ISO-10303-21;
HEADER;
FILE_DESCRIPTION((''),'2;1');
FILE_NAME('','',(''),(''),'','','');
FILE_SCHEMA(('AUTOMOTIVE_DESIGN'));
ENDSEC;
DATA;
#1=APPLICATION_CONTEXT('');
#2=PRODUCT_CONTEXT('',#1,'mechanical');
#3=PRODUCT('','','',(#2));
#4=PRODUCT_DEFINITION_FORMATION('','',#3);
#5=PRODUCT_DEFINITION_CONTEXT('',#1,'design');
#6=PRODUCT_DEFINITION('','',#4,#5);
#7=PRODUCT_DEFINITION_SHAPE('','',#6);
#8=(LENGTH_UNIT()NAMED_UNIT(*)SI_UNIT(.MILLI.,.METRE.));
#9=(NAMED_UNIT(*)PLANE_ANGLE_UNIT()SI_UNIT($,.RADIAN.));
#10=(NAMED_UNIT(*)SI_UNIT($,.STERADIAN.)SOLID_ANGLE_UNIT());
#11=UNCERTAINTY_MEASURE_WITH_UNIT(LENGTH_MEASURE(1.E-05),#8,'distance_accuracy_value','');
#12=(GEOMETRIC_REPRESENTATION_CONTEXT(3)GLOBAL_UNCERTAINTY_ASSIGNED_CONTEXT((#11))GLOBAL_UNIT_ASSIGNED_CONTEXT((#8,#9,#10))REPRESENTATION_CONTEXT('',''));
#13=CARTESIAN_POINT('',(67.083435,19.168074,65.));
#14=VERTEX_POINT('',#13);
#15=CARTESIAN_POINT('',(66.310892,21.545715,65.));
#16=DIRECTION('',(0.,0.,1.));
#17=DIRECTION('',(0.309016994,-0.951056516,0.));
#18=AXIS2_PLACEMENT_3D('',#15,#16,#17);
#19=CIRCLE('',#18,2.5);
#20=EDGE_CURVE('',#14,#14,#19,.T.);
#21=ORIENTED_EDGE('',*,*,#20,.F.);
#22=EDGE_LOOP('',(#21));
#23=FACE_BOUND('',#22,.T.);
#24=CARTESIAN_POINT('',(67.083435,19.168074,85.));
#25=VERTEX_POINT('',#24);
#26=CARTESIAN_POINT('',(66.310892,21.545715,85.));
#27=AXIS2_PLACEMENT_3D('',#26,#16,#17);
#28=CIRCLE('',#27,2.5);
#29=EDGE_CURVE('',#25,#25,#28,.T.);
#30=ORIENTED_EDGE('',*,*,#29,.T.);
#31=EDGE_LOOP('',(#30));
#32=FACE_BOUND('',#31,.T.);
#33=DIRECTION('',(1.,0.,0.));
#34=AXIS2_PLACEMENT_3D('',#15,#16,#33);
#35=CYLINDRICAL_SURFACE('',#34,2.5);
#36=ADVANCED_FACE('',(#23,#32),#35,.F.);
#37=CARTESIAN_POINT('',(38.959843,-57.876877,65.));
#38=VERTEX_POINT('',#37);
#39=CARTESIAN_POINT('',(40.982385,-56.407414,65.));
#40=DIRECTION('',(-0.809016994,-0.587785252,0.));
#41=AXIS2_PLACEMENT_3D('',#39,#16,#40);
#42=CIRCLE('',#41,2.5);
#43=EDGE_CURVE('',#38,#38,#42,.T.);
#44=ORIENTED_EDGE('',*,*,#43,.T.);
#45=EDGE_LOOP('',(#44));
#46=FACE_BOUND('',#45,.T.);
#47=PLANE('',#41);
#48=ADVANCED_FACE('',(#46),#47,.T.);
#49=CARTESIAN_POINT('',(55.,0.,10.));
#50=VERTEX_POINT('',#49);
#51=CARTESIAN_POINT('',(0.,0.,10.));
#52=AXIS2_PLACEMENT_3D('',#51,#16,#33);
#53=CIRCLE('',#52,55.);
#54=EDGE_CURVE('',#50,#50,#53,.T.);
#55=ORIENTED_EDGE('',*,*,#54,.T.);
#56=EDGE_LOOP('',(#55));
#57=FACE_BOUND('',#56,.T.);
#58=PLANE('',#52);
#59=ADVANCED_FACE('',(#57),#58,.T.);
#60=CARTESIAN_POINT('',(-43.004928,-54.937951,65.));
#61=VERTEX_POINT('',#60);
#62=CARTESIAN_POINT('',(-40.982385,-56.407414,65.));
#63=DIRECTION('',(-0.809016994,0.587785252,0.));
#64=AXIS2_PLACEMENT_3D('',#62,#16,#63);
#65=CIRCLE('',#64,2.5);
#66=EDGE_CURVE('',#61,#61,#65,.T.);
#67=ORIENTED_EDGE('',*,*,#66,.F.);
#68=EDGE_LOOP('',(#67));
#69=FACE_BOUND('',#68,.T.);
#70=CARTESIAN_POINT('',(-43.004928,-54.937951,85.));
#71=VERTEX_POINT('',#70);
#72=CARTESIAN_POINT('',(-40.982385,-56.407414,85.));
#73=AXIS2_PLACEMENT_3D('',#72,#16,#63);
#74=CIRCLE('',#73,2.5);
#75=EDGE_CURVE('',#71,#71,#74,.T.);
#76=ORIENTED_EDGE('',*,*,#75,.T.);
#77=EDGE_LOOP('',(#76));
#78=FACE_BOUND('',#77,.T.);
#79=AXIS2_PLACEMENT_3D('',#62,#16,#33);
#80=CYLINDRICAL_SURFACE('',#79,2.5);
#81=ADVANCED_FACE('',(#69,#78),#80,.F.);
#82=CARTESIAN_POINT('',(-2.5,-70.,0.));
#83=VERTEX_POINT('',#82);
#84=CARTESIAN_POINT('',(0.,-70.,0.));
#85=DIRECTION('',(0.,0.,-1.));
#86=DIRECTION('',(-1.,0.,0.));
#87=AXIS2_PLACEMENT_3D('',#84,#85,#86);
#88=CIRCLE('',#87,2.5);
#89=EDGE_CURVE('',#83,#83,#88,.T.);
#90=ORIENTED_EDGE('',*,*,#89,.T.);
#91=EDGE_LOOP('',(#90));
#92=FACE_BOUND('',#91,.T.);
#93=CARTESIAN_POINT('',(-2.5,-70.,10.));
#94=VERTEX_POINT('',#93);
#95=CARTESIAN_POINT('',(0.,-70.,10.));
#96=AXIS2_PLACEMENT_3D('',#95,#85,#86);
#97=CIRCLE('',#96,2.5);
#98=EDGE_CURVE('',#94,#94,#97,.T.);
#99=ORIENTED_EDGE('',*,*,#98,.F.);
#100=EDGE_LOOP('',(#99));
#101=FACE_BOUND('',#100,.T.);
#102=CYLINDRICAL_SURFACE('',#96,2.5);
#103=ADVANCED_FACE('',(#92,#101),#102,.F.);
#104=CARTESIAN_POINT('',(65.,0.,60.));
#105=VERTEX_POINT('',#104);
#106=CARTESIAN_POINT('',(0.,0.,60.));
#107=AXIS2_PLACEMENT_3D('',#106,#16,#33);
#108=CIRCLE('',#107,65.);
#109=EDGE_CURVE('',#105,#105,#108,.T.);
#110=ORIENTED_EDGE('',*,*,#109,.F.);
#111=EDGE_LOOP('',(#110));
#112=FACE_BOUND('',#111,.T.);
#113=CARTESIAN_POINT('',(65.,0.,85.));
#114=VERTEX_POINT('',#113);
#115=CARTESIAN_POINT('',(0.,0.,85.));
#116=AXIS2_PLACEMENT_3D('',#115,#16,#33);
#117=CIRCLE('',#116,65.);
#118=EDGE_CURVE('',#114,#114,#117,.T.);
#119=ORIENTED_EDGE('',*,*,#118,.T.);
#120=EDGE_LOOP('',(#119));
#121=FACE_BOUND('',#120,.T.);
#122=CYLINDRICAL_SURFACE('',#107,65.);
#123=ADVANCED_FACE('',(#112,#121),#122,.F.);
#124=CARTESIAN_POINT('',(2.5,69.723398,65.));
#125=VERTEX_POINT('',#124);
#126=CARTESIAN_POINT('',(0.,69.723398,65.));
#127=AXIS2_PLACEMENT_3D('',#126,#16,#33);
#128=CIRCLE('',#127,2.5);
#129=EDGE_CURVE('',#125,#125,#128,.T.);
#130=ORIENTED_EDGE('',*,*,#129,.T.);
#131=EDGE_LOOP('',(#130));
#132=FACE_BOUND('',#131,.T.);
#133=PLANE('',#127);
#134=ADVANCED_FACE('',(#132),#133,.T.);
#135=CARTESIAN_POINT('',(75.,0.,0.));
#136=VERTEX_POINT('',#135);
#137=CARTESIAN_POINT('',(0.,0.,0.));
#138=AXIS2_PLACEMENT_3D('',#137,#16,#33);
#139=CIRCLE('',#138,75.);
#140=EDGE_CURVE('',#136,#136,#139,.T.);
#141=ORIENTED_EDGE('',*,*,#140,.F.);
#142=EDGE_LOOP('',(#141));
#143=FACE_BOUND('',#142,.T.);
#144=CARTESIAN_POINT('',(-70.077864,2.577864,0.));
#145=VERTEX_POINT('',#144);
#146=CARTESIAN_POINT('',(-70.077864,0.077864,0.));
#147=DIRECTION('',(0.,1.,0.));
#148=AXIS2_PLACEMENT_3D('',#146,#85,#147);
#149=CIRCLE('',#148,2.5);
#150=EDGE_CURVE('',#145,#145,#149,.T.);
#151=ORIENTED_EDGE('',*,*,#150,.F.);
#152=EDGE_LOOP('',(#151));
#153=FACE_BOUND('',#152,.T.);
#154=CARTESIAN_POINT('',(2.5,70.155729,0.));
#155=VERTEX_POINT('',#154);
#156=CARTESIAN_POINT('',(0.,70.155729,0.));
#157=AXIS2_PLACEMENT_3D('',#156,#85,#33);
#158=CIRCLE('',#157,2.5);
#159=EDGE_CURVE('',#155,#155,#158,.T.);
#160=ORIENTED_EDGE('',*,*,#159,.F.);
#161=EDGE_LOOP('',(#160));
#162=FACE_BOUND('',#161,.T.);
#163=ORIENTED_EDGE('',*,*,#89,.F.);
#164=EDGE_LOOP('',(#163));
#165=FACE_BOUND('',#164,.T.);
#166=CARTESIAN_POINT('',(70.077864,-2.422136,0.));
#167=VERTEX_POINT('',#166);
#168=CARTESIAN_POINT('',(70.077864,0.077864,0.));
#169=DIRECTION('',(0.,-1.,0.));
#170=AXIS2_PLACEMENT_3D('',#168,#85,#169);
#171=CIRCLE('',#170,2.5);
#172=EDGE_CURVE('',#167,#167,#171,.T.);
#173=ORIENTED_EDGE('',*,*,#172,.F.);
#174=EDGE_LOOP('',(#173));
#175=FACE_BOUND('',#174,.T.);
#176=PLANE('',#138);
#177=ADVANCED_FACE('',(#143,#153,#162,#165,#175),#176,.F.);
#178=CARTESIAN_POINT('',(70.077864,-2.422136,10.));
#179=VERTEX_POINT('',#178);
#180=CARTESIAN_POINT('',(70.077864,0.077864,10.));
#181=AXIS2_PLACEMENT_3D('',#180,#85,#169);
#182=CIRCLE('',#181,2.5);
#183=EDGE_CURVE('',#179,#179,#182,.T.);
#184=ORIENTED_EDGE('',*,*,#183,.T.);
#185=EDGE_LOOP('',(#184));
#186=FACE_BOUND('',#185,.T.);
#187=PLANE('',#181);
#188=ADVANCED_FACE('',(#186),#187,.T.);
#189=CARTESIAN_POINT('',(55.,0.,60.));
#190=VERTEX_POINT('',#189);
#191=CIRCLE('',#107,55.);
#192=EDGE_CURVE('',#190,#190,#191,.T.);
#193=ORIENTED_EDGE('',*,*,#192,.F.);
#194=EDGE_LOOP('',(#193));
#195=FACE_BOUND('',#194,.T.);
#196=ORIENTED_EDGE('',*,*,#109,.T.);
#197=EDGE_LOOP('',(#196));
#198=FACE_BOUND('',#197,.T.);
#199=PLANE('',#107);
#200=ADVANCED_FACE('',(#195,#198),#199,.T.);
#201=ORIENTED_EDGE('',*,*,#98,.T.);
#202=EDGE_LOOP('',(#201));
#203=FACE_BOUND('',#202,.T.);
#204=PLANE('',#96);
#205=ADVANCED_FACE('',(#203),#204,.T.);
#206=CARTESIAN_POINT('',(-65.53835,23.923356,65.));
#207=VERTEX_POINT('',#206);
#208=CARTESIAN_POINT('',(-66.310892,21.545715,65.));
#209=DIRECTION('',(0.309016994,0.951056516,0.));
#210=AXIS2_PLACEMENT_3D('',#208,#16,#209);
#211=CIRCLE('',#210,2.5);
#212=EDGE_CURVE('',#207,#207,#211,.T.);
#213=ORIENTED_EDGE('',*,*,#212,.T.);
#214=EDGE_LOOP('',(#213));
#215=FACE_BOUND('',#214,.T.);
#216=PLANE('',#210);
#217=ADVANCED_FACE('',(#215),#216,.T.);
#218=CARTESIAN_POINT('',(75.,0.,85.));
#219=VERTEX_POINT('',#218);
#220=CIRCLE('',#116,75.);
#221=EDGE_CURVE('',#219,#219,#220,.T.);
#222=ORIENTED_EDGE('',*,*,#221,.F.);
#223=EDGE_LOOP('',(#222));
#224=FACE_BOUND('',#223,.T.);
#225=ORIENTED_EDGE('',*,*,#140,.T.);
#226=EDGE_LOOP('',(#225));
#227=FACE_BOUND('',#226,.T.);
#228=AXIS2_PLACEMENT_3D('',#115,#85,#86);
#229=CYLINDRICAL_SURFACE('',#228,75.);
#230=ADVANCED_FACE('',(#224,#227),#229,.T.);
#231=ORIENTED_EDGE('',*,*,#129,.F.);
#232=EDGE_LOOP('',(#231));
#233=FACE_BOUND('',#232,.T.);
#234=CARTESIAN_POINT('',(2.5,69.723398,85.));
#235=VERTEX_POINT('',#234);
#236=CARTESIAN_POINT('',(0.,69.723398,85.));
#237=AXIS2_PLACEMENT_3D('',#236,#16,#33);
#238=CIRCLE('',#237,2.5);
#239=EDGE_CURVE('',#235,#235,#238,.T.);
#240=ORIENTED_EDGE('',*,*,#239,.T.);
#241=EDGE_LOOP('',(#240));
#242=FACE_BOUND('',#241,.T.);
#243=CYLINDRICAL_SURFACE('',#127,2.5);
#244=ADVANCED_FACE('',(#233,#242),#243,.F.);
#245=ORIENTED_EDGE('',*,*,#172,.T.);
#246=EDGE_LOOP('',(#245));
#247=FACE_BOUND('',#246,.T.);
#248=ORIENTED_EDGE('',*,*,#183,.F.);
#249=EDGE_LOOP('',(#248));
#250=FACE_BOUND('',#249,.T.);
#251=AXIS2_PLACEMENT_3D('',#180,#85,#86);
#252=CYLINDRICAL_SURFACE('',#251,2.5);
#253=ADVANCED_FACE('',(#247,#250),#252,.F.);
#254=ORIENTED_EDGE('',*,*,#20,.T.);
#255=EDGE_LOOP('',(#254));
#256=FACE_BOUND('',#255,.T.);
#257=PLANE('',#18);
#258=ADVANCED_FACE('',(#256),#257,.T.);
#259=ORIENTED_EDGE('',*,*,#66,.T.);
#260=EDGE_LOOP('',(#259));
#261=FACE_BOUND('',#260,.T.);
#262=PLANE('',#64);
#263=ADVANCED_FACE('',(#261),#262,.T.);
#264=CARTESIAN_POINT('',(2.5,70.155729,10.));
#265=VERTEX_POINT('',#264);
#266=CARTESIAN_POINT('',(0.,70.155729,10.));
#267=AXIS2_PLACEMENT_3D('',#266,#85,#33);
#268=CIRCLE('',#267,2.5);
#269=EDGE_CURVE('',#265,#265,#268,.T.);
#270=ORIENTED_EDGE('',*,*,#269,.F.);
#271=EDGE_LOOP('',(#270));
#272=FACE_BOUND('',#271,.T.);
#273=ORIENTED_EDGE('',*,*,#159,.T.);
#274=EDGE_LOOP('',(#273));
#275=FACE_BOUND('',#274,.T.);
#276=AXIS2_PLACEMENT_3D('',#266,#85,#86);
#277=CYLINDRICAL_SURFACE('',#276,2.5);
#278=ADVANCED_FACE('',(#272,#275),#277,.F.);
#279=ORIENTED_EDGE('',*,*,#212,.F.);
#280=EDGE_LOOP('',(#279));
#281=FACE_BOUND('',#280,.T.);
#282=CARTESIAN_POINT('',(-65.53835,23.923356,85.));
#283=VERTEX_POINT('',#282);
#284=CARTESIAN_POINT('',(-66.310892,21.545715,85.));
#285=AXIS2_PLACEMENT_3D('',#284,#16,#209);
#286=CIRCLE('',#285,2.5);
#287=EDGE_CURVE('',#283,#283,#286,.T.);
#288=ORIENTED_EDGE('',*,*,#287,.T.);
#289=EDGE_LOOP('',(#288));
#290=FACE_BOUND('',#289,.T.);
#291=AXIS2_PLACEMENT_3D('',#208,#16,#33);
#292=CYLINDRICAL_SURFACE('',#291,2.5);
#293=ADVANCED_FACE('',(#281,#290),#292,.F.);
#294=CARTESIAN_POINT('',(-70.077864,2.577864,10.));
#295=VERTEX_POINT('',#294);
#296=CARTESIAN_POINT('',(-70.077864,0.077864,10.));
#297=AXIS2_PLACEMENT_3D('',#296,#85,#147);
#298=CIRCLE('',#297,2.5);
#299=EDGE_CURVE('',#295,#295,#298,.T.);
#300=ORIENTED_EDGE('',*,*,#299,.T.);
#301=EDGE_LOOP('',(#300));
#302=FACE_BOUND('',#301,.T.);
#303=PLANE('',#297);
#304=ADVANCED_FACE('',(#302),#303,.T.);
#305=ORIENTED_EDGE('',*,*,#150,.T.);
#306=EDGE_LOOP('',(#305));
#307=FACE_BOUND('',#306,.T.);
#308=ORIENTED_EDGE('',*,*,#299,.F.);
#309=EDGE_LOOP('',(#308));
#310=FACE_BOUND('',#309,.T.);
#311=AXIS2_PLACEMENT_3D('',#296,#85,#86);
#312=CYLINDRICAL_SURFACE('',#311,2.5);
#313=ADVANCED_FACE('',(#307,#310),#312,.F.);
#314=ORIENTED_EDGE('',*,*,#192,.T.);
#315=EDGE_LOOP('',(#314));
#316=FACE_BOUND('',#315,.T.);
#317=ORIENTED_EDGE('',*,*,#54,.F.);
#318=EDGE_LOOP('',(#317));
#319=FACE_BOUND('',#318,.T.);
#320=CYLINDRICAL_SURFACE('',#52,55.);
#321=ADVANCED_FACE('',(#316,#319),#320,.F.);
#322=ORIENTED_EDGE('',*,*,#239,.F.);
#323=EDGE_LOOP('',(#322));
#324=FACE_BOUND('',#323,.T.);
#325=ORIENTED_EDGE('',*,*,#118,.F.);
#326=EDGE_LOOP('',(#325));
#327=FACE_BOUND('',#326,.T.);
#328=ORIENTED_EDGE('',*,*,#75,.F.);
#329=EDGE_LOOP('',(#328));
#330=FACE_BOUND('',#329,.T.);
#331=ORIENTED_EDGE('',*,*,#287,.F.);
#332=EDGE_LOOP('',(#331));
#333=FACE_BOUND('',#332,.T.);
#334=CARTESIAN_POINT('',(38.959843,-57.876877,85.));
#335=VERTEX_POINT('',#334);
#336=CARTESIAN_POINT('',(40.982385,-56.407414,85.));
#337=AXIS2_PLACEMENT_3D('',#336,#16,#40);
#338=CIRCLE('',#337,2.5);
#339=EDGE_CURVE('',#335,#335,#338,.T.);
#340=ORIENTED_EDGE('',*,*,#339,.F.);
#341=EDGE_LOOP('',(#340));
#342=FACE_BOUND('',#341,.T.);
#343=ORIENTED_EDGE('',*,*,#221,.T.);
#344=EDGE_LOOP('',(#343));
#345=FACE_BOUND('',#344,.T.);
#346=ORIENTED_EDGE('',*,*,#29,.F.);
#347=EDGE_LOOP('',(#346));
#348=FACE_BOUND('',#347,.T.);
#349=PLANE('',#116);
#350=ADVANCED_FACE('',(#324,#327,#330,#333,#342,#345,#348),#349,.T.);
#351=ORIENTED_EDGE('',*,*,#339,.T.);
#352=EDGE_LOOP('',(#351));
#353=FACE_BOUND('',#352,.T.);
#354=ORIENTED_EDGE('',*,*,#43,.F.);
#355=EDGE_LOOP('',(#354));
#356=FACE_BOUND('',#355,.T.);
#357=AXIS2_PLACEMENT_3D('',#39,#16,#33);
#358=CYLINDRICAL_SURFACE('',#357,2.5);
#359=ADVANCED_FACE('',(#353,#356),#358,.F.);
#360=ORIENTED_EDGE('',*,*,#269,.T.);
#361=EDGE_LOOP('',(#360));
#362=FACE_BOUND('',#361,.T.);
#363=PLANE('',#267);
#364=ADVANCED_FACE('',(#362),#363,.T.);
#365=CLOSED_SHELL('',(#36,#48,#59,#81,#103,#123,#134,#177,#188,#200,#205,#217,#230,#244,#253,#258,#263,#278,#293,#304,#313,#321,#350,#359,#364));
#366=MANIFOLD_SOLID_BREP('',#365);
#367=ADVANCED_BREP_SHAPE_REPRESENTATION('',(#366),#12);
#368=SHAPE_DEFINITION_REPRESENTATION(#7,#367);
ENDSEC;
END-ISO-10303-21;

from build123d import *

# Parameters (mm, degrees)
SKETCH2_R           = 75
BOSS_EXTRUDE1_DEPTH = 85
SKETCH4_R           = 65
CUT_EXTRUDE2_DEPTH  = 25
SKETCH5_R           = 55
CUT_EXTRUDE3_DEPTH  = 50
SKETCH7_R           = 2.5
CUT_EXTRUDE4_DEPTH  = 20
CIRPATTERN1_COUNT   = 5
SKETCH8_R           = 2.5
CUT_EXTRUDE5_DEPTH  = 10
CIRPATTERN2_COUNT   = 4


with BuildPart() as part:
    # Sketch2 → Boss-Extrude1 (new body)
    with BuildSketch(Plane(origin=(0, 0, 0), x_dir=(0, 1, 0), z_dir=(0, 0, 1))):
        with Locations(Location((0, 0, 0), (0, 0, 270))):
            Circle(SKETCH2_R)
    extrude(amount=BOSS_EXTRUDE1_DEPTH)

    # Sketch4 → Cut-Extrude2 (cut)
    with BuildSketch(Plane.XY.offset(85)):
        Circle(SKETCH4_R)
    extrude(amount=-CUT_EXTRUDE2_DEPTH, mode=Mode.SUBTRACT)

    # Sketch5 → Cut-Extrude3 (cut)
    with BuildSketch(Plane.XY.offset(60)):
        Circle(SKETCH5_R)
    extrude(amount=-CUT_EXTRUDE3_DEPTH, mode=Mode.SUBTRACT)

    # Sketch7 → Cut-Extrude4 (cut)
    with BuildSketch(Plane.XY.offset(85)):
        with Locations((0, 69.72339814)):
            Circle(SKETCH7_R)
    cut_extrude4 = extrude(amount=-CUT_EXTRUDE4_DEPTH, mode=Mode.SUBTRACT)

    # CirPattern1: Cut-Extrude4 ×5 about axis
    cirpattern1_axis = Axis((0, 0, 0), (0, 0, 1))
    for i in range(1, CIRPATTERN1_COUNT):
        add(cut_extrude4.rotate(cirpattern1_axis, i * 360 / CIRPATTERN1_COUNT), mode=Mode.SUBTRACT)

    # Sketch8 → Cut-Extrude5 (cut)
    with BuildSketch(Plane(origin=(0, 0, 0), x_dir=(1, 0, 0), z_dir=(0, 0, -1))):
        with Locations(Location((0, 70, 0), (0, 0, 180))):
            Circle(SKETCH8_R)
    cut_extrude5 = extrude(amount=-CUT_EXTRUDE5_DEPTH, mode=Mode.SUBTRACT)

    # CirPattern2: Cut-Extrude5 ×4 about axis
    cirpattern2_axis = Axis((0, 0.077864294, 0), (0, 0, 1))
    for i in range(1, CIRPATTERN2_COUNT):
        add(cut_extrude5.rotate(cirpattern2_axis, i * 360 / CIRPATTERN2_COUNT), mode=Mode.SUBTRACT)


solid = part.part
